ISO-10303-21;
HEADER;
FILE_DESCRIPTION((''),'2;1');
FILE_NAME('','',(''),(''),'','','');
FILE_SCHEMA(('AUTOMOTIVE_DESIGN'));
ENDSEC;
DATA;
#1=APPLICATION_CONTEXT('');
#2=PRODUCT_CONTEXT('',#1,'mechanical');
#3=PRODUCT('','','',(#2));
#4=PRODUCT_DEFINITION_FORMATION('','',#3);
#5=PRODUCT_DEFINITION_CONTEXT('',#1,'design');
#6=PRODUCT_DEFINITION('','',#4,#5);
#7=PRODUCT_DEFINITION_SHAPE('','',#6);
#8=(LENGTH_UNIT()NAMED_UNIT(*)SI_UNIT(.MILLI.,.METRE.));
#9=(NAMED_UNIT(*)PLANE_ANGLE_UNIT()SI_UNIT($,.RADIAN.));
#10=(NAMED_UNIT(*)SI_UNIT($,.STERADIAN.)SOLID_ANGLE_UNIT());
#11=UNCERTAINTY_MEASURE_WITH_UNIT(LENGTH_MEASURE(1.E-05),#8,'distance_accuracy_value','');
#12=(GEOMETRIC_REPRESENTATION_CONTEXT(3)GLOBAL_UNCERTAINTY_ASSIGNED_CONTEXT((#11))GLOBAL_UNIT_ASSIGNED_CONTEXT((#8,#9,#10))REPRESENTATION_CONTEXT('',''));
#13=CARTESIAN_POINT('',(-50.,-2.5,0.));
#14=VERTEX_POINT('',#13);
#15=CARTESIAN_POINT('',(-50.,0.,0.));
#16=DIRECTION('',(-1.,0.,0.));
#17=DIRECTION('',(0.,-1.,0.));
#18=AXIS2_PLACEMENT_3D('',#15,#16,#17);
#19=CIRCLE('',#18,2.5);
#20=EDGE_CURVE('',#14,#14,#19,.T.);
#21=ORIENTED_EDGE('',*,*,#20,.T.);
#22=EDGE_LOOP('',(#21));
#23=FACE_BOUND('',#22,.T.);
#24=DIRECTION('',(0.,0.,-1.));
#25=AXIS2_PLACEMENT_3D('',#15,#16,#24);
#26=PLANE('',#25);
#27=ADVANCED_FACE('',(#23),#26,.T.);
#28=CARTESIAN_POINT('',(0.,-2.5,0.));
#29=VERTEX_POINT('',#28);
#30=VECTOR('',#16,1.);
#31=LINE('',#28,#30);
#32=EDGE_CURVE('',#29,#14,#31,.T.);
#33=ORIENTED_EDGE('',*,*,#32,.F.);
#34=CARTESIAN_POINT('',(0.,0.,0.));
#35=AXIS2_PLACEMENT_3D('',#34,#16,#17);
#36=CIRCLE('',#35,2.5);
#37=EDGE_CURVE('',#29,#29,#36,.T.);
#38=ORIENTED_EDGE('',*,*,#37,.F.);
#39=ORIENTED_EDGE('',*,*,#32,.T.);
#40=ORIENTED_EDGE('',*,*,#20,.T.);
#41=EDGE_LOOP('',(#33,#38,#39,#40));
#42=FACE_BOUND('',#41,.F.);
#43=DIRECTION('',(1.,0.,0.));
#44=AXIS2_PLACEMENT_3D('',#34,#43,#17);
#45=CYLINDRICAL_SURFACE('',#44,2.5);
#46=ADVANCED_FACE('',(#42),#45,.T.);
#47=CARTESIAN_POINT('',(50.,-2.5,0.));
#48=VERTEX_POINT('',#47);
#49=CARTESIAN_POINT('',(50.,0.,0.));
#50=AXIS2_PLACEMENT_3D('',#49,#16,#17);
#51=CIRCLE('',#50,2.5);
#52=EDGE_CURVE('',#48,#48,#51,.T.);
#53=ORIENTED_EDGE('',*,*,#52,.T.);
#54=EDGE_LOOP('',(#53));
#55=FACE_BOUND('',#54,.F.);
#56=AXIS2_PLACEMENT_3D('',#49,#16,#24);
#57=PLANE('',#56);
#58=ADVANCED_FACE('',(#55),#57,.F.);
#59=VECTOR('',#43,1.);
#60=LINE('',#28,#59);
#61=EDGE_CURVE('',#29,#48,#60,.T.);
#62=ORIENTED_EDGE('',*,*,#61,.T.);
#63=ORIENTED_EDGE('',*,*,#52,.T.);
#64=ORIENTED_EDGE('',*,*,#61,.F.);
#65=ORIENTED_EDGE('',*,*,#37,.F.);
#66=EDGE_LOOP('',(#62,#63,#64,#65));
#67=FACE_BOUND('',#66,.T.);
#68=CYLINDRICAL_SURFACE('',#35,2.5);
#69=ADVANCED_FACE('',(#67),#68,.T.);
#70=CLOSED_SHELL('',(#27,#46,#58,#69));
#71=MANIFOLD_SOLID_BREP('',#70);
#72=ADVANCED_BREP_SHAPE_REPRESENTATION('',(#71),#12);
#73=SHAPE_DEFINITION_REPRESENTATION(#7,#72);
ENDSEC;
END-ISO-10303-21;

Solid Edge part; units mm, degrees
sketch "Sketch1" plane through (0, 0, 0) normal (-1, 0, 0) x (0, -1, 0)
  circle A0 centre (0, 0) radius 2.5
extrude "Protrusion1" add sketch "Sketch1" along normal mid plane 100
properties material "Steel - Stainless:1.4301 , X5CrNi18-10"
